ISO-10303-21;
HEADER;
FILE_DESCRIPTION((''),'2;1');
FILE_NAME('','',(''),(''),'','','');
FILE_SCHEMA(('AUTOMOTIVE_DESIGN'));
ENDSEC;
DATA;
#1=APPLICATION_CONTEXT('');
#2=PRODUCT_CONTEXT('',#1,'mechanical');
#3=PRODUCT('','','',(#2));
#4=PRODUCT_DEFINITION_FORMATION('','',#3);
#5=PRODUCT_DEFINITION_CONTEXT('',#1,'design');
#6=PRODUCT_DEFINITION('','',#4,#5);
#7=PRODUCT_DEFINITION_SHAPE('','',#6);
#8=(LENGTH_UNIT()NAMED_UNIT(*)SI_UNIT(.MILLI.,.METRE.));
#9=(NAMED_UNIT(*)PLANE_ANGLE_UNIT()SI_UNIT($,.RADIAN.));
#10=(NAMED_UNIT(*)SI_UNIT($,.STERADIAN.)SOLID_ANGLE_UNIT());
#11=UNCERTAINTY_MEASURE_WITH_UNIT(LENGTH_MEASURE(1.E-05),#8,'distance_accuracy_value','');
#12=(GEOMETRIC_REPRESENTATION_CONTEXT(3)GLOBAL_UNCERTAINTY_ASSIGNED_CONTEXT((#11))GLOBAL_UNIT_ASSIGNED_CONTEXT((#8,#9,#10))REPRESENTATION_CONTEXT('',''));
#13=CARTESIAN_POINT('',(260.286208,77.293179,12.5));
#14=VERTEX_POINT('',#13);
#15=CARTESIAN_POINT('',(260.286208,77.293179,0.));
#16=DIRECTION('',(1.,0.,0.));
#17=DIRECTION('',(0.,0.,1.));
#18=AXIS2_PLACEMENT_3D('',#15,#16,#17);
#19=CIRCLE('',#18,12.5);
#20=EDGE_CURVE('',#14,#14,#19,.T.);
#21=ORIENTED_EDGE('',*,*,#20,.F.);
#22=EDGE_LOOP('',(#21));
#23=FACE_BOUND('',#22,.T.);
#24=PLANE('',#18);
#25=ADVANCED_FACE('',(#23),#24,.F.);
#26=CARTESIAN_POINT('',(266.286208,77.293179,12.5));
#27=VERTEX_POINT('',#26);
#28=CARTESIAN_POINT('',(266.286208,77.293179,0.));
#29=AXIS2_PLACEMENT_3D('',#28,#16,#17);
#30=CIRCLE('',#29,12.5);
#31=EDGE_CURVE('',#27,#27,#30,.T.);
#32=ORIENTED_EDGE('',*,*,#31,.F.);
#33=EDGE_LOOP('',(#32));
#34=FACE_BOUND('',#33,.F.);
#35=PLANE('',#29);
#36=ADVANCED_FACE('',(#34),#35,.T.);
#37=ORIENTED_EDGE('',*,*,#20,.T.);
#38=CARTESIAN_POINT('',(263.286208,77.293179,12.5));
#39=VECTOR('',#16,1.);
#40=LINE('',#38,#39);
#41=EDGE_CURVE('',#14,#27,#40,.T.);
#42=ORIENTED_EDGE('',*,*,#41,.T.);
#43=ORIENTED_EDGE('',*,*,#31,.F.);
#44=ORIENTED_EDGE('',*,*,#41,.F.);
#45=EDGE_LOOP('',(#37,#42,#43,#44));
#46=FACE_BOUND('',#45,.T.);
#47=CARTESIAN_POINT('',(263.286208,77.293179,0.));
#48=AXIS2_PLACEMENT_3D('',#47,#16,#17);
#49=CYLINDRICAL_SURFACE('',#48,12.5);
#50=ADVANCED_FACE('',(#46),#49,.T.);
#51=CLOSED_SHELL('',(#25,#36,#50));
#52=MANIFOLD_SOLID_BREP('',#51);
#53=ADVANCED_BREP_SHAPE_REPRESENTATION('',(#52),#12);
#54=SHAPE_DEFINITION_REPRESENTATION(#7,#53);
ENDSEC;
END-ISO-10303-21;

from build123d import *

# Parameters (mm, degrees)
SKETCH_1_W = 6
SKETCH_1_H = 12.5


with BuildPart() as part:
    # 草图1 → 旋转1 (revolve)
    with BuildSketch(Plane.XY, mode=Mode.PRIVATE) as revolve_1_sk:
        with Locations((263.286208168, 83.543179349)):
            Rectangle(SKETCH_1_W, SKETCH_1_H)
    revolve(revolve_1_sk.sketch.rotate(Axis((254.000801993, 77.293179349, 0), (1, 0, 0)), 90), axis=Axis((254.000801993, 77.293179349, 0), (1, 0, 0)))  # turned: the seam where the file's is


solid = part.part
